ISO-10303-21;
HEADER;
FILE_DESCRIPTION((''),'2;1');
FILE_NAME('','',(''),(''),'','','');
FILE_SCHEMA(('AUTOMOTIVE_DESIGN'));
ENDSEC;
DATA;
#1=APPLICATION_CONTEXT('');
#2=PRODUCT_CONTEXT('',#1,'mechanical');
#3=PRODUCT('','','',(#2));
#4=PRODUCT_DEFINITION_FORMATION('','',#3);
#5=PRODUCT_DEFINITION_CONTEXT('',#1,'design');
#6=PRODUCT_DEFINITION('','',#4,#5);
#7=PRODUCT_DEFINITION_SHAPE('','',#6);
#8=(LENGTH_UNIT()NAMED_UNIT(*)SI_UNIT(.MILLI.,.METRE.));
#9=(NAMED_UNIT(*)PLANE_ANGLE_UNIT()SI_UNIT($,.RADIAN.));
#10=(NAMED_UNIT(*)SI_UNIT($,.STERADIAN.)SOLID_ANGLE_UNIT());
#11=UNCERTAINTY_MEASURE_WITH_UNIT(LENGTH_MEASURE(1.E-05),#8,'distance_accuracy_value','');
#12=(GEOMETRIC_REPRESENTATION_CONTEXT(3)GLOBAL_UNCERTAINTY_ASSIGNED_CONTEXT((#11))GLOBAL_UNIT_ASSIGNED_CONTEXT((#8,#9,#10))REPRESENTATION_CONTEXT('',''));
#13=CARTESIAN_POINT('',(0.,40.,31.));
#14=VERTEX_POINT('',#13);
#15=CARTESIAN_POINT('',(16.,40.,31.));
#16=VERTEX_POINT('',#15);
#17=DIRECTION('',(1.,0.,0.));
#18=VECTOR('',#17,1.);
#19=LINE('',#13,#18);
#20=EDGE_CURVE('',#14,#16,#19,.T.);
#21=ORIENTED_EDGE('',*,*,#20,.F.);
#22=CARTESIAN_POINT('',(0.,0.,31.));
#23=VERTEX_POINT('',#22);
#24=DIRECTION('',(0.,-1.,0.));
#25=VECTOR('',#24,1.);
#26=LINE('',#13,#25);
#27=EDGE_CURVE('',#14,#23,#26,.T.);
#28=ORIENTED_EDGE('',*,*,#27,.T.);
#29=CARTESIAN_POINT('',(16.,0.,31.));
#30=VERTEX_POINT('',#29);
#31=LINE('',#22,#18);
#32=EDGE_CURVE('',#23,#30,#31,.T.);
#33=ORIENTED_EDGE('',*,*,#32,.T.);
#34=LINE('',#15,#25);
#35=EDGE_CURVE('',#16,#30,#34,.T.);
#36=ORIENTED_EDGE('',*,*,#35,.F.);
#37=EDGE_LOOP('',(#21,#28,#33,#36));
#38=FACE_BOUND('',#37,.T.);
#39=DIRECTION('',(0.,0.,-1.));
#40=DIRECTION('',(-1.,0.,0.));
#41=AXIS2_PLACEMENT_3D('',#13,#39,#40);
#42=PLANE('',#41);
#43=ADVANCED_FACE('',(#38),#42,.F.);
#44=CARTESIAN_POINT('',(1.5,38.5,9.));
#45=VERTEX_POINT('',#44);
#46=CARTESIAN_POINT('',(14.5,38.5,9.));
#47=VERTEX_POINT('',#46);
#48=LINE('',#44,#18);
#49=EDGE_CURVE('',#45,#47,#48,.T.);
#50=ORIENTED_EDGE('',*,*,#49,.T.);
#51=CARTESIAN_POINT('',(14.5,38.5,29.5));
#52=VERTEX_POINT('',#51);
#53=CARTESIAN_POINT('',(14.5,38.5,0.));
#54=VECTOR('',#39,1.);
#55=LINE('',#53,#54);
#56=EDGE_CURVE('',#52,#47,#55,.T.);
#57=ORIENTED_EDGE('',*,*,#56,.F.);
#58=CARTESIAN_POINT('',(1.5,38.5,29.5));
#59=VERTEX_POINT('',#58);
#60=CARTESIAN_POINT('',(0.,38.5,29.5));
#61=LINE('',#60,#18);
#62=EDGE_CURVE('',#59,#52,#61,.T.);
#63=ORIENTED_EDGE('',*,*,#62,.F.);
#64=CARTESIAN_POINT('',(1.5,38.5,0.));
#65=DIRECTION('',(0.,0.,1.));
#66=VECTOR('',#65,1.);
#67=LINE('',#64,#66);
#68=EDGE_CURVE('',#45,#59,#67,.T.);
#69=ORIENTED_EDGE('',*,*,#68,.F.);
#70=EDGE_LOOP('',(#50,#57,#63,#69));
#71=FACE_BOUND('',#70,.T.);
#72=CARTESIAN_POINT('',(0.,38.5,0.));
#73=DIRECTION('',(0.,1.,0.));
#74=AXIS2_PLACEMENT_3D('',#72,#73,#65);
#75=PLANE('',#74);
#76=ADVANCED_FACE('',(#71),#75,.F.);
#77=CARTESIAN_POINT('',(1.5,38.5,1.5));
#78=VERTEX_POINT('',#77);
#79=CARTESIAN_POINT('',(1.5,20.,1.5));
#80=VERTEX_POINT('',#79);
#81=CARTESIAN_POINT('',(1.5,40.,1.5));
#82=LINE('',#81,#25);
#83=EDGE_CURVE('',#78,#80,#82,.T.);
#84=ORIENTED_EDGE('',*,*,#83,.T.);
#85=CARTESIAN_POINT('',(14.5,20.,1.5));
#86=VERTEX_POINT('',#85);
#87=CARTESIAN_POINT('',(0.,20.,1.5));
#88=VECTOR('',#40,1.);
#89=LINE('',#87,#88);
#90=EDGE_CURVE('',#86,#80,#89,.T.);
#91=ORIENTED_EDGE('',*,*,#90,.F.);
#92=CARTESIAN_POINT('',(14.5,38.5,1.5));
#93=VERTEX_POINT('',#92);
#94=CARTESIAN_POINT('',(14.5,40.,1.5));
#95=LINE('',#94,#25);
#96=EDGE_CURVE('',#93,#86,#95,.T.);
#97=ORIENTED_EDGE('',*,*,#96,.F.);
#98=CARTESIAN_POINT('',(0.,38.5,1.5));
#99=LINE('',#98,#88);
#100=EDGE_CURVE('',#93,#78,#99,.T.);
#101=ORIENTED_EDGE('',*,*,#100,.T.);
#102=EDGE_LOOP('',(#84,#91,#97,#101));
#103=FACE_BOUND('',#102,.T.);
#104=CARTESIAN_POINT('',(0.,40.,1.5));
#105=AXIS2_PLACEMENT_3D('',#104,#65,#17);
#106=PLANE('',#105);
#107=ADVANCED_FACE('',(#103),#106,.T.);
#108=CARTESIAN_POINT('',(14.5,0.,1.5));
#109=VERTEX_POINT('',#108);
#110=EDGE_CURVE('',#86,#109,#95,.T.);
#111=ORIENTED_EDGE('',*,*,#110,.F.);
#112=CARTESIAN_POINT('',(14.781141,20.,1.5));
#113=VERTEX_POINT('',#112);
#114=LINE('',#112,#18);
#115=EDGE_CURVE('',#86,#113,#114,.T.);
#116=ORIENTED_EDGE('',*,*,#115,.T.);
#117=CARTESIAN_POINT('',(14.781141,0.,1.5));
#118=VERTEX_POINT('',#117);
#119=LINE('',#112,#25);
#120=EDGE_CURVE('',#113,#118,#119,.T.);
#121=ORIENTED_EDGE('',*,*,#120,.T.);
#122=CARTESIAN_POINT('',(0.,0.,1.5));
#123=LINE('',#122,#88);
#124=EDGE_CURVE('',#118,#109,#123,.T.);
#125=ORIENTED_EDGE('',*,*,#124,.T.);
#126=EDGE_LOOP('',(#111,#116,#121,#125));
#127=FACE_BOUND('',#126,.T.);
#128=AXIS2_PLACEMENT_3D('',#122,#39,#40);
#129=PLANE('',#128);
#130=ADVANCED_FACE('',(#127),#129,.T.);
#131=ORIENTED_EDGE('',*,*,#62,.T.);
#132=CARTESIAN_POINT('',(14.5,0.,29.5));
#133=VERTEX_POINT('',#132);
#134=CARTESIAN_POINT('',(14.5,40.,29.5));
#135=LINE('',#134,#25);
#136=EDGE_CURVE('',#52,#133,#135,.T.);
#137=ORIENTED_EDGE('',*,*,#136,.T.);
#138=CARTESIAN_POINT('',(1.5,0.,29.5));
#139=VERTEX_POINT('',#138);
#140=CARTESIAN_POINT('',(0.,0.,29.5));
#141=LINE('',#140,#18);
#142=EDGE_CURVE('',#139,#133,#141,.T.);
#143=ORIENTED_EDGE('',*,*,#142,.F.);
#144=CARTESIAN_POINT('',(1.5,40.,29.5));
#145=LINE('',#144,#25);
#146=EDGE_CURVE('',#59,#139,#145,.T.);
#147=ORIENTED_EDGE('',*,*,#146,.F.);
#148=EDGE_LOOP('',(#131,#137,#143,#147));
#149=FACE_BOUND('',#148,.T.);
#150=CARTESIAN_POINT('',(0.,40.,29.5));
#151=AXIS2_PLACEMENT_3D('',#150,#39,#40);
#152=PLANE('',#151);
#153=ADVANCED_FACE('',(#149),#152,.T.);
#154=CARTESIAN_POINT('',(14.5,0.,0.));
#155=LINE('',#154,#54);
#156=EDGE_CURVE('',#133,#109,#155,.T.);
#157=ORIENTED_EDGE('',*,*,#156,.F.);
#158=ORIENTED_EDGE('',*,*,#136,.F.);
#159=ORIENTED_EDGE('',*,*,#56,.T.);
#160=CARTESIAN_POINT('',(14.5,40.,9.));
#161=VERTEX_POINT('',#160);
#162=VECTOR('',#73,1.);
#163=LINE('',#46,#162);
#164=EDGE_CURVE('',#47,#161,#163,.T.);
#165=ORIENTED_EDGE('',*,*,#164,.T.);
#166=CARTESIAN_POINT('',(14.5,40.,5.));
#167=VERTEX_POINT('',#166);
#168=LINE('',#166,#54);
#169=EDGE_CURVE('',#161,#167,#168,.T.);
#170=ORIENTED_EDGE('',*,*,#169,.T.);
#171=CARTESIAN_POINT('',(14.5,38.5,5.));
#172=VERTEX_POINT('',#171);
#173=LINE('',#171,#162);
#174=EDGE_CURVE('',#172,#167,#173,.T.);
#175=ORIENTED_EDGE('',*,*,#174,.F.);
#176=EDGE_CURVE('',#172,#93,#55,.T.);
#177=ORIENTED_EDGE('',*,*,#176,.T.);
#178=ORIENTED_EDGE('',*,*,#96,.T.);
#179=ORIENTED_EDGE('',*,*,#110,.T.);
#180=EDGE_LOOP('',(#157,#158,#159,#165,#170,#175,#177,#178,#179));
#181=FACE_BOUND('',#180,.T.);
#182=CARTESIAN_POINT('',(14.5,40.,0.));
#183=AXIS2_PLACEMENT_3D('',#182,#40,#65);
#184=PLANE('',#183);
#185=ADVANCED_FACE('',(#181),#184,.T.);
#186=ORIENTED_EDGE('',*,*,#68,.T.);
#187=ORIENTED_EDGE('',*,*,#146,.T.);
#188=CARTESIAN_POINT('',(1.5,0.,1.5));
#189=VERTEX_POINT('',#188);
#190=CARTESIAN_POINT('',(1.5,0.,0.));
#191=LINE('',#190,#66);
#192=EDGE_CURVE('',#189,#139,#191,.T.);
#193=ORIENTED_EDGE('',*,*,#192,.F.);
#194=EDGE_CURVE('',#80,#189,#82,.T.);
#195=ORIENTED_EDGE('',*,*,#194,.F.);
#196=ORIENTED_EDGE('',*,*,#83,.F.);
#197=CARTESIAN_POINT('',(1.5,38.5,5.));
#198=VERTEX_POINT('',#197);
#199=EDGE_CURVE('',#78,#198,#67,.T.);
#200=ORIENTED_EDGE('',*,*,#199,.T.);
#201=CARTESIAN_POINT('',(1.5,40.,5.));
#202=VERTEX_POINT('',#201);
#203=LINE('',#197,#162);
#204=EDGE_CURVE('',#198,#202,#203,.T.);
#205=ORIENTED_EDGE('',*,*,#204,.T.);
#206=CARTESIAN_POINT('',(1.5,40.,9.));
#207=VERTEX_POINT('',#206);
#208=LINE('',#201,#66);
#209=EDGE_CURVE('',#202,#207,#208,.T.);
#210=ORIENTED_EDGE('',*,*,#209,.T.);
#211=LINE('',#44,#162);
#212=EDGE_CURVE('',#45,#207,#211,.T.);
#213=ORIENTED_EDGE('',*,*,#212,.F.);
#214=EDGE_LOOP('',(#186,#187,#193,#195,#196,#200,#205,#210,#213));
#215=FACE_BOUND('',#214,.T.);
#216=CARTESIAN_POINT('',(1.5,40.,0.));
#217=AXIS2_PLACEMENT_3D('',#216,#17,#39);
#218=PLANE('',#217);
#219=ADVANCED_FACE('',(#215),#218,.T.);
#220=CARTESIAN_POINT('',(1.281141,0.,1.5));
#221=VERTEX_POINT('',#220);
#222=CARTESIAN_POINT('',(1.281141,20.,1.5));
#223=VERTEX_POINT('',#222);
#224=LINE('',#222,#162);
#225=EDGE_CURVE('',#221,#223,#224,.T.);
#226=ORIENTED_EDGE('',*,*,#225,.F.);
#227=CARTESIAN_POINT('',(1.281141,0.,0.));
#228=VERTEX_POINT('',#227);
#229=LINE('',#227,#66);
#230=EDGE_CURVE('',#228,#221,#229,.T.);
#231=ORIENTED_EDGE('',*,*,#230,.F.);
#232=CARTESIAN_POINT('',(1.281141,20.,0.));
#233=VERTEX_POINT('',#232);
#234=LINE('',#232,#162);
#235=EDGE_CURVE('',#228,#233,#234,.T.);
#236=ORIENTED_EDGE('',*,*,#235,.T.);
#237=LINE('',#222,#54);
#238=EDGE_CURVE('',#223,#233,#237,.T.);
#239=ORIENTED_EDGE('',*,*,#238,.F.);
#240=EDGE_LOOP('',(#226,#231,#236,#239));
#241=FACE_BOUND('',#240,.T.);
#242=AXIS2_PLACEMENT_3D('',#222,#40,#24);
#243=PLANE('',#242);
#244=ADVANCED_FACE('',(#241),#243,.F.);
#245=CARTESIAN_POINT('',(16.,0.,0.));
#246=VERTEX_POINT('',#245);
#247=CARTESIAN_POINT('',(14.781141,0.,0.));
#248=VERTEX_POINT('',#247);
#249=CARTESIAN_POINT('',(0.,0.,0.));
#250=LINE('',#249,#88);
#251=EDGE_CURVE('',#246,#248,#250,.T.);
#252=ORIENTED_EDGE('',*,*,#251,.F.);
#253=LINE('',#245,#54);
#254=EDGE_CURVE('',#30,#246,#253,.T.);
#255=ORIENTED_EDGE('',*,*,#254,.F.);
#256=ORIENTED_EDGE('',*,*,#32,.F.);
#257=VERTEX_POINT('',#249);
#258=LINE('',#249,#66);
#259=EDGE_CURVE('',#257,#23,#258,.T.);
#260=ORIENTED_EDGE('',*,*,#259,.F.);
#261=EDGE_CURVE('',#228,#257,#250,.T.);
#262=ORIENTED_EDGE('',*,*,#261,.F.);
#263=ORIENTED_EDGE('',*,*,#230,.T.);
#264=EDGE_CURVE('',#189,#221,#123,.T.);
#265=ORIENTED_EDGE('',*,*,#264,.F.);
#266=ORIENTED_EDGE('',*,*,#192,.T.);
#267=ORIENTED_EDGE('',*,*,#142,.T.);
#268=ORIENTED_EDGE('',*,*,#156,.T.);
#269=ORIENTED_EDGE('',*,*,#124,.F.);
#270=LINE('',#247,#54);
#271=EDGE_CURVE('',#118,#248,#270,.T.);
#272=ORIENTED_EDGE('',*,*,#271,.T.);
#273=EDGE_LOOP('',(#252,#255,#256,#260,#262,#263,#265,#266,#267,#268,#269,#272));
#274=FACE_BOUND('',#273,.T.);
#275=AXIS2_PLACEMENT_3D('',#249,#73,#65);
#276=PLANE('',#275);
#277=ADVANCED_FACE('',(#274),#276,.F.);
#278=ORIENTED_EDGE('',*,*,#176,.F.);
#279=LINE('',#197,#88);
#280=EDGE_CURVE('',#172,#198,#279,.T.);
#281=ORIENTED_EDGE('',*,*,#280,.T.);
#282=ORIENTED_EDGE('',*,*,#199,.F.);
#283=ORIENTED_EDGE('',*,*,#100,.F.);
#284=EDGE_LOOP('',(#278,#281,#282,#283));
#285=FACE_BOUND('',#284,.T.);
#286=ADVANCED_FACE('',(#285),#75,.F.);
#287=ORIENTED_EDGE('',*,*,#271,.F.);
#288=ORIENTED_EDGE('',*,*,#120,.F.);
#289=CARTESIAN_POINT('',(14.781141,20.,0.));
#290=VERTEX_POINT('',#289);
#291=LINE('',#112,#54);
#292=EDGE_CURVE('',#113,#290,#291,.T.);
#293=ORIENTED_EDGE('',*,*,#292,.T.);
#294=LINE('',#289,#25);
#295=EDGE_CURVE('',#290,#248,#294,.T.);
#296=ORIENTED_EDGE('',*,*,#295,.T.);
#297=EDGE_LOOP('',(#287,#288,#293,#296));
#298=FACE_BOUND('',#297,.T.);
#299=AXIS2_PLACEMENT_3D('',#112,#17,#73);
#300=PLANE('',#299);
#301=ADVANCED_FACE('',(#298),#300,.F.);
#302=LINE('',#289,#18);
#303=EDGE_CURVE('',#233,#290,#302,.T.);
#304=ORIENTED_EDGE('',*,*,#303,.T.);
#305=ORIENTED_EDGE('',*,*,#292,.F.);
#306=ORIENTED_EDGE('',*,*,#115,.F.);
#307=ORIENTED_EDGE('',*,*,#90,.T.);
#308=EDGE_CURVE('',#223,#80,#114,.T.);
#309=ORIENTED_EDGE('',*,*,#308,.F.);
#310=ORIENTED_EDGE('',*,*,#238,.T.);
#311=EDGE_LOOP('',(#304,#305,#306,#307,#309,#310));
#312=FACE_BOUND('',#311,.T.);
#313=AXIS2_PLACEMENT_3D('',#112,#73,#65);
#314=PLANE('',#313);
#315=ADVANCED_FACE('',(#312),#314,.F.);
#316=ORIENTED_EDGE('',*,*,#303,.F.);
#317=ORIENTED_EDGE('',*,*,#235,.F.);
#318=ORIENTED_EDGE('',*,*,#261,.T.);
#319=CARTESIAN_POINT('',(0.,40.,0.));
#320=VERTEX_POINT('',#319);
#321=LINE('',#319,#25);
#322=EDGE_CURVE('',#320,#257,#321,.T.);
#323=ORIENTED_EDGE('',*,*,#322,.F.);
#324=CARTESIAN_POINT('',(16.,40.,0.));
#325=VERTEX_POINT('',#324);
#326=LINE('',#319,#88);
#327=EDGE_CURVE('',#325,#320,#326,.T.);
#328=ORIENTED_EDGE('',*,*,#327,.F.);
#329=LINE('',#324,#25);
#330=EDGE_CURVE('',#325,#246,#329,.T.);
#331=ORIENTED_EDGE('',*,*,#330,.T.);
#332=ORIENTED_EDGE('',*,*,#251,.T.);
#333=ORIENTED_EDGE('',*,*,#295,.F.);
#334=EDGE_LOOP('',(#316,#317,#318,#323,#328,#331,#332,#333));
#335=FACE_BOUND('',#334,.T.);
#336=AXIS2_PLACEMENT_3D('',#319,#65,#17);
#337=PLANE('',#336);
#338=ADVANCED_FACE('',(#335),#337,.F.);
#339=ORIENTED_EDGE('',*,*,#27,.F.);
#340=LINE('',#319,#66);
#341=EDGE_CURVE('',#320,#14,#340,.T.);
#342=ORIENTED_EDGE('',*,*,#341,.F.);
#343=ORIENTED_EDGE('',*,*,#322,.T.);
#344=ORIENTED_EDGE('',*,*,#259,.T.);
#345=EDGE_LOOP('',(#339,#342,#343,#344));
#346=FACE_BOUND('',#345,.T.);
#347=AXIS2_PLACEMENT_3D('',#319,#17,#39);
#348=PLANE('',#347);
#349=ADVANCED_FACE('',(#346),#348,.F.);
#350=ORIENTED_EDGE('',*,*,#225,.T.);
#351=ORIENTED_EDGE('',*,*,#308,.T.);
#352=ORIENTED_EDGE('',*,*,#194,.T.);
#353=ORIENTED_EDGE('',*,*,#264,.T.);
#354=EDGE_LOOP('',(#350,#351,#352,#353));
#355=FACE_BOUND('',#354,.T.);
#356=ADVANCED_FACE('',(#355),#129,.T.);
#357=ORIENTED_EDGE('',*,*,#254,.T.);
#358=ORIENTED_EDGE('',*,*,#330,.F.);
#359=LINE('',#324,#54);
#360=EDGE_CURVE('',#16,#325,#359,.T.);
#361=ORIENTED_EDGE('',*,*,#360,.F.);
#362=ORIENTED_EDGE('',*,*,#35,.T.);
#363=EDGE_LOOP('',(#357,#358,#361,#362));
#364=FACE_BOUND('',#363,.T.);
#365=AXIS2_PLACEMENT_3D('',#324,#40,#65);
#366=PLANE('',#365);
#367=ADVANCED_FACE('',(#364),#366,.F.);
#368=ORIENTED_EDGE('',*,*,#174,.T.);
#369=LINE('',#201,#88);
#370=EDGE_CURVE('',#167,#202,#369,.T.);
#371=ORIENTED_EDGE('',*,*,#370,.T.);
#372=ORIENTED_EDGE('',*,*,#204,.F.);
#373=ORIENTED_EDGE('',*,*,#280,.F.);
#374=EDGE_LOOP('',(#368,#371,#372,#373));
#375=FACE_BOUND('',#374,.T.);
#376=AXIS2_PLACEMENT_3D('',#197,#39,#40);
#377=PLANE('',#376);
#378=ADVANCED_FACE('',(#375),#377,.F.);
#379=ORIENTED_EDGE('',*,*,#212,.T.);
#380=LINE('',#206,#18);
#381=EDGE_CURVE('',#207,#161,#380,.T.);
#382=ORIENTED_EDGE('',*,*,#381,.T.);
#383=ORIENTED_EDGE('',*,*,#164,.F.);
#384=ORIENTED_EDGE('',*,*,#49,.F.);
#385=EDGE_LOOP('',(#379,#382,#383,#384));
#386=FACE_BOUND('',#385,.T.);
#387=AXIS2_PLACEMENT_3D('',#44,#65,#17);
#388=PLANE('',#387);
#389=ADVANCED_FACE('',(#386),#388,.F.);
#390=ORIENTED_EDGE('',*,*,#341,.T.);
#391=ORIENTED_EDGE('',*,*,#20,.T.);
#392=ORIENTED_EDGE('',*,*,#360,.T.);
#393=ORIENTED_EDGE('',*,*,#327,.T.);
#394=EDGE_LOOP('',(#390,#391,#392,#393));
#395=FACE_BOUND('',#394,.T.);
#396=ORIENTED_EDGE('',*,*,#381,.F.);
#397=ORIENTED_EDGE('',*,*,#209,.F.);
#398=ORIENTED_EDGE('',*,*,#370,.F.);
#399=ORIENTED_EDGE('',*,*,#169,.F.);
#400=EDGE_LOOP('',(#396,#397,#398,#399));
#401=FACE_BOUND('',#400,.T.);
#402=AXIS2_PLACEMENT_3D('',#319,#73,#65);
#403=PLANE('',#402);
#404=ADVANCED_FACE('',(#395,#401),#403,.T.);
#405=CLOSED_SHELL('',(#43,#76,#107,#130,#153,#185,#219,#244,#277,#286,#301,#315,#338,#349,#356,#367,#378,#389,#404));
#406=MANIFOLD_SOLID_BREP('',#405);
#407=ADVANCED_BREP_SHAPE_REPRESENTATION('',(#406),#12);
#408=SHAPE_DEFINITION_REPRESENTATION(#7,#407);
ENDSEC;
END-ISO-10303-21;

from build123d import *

# Parameters (mm, degrees)
SKETCH1_W           = 16
SKETCH1_H           = 31
BOSS_EXTRUDE1_DEPTH = 40
SHELL1_T            = -1.5
SKETCH2_W           = 13
SKETCH2_H           = 4
CUT_EXTRUDE1_DEPTH  = 1.5
SKETCH3_W           = 13.5
SKETCH3_H           = 21
CUT_EXTRUDE2_DEPTH  = 1.5


with BuildPart() as part:
    # Sketch1 → Boss-Extrude1 (new body)
    with BuildSketch(Plane(origin=(0, 0, 0), x_dir=(1, 0, 0), z_dir=(0, 1, 0))):
        with Locations((8, -15.5)):
            Rectangle(SKETCH1_W, SKETCH1_H)
    extrude(amount=BOSS_EXTRUDE1_DEPTH)

    # Shell1
    shell1_openings = [part.faces().sort_by_distance(p)[0] for p in [
        (8, 0, 15.5),
    ]]
    offset(amount=SHELL1_T, openings=shell1_openings, kind=Kind.INTERSECTION)

    # Sketch2 → Cut-Extrude1 (cut)
    with BuildSketch(Plane(origin=(0, 40, 0), x_dir=(1, 0, 0), z_dir=(0, 1, 0))):
        with Locations((8, -7)):
            Rectangle(SKETCH2_W, SKETCH2_H)
    extrude(amount=-CUT_EXTRUDE1_DEPTH, mode=Mode.SUBTRACT)

    # Sketch3 → Cut-Extrude2 (cut)
    with BuildSketch(Plane(origin=(0, 0, 0), x_dir=(-1, 0, 0), z_dir=(0, 0, -1))):
        with Locations((-8.031141197, 9.5)):
            Rectangle(SKETCH3_W, SKETCH3_H)
    extrude(amount=-CUT_EXTRUDE2_DEPTH, mode=Mode.SUBTRACT)


solid = part.part
